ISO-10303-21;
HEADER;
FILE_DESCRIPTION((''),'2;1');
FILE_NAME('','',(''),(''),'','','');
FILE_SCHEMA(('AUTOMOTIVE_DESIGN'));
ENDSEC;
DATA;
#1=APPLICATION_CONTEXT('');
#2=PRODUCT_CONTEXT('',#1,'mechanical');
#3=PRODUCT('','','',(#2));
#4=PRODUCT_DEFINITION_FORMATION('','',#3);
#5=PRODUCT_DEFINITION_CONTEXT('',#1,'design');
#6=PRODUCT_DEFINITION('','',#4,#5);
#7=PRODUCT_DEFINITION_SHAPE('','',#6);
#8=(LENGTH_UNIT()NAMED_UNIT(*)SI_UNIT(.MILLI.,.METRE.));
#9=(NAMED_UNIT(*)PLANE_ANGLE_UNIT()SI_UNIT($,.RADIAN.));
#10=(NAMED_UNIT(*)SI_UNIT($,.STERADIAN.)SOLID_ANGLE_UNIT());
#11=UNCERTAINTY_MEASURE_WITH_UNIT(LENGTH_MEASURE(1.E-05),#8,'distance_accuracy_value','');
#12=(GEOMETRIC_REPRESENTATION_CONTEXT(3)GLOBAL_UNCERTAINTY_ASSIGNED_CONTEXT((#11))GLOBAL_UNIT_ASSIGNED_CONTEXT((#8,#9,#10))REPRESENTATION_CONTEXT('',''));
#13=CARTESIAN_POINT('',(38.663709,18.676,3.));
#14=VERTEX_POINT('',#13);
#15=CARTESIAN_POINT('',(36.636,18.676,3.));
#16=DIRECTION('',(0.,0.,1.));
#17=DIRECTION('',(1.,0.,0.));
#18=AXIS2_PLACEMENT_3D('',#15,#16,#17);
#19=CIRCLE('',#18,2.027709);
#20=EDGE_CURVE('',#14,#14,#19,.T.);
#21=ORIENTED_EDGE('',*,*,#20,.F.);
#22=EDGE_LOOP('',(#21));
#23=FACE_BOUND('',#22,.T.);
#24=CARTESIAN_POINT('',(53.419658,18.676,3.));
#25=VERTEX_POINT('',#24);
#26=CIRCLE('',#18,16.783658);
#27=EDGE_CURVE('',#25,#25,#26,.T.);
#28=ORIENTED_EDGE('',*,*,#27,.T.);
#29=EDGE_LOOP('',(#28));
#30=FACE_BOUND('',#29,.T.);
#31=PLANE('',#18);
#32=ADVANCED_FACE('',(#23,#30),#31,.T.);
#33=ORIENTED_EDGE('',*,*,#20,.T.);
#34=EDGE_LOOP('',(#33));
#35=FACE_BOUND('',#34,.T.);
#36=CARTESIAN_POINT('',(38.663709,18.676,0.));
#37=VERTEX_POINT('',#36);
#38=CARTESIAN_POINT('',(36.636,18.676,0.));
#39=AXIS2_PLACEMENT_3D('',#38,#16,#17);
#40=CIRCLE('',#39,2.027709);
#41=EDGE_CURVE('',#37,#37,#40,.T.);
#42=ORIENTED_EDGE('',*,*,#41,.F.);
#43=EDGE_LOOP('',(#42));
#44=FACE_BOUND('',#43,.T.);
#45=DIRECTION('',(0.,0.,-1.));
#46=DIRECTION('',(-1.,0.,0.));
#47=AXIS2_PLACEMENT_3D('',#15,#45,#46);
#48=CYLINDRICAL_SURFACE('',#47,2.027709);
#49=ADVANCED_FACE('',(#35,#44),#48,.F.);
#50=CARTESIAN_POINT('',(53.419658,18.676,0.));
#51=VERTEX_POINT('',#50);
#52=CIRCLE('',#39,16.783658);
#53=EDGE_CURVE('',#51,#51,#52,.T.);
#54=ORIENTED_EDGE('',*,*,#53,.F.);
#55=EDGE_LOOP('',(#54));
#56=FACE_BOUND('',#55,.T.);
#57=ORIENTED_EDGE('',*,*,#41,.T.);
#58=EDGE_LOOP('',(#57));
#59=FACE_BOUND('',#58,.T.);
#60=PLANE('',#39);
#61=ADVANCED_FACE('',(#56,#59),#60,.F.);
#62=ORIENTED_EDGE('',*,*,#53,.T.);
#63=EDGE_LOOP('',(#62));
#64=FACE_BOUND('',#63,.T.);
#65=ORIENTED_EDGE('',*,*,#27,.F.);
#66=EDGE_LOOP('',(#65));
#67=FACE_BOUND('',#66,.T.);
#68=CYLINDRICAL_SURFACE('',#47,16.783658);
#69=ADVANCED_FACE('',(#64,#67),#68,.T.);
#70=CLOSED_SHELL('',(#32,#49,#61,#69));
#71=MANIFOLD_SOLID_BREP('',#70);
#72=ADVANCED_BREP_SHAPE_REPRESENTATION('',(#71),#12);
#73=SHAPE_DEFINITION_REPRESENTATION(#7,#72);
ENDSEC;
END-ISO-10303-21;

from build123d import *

# Parameters (mm, degrees)
MODEL_R                 = 16.783658254
MODEL_R_2               = 2.027709262
SALIENTE_EXTRUIR1_DEPTH = 3


with BuildPart() as part:
    # Model → Saliente-Extruir1 (new body)
    with BuildSketch(Plane.XY):
        with Locations((36.636, 18.676)):
            Circle(MODEL_R)
        with Locations((36.636, 18.676)):
            Circle(MODEL_R_2, mode=Mode.SUBTRACT)
    extrude(amount=SALIENTE_EXTRUIR1_DEPTH)


solid = part.part
